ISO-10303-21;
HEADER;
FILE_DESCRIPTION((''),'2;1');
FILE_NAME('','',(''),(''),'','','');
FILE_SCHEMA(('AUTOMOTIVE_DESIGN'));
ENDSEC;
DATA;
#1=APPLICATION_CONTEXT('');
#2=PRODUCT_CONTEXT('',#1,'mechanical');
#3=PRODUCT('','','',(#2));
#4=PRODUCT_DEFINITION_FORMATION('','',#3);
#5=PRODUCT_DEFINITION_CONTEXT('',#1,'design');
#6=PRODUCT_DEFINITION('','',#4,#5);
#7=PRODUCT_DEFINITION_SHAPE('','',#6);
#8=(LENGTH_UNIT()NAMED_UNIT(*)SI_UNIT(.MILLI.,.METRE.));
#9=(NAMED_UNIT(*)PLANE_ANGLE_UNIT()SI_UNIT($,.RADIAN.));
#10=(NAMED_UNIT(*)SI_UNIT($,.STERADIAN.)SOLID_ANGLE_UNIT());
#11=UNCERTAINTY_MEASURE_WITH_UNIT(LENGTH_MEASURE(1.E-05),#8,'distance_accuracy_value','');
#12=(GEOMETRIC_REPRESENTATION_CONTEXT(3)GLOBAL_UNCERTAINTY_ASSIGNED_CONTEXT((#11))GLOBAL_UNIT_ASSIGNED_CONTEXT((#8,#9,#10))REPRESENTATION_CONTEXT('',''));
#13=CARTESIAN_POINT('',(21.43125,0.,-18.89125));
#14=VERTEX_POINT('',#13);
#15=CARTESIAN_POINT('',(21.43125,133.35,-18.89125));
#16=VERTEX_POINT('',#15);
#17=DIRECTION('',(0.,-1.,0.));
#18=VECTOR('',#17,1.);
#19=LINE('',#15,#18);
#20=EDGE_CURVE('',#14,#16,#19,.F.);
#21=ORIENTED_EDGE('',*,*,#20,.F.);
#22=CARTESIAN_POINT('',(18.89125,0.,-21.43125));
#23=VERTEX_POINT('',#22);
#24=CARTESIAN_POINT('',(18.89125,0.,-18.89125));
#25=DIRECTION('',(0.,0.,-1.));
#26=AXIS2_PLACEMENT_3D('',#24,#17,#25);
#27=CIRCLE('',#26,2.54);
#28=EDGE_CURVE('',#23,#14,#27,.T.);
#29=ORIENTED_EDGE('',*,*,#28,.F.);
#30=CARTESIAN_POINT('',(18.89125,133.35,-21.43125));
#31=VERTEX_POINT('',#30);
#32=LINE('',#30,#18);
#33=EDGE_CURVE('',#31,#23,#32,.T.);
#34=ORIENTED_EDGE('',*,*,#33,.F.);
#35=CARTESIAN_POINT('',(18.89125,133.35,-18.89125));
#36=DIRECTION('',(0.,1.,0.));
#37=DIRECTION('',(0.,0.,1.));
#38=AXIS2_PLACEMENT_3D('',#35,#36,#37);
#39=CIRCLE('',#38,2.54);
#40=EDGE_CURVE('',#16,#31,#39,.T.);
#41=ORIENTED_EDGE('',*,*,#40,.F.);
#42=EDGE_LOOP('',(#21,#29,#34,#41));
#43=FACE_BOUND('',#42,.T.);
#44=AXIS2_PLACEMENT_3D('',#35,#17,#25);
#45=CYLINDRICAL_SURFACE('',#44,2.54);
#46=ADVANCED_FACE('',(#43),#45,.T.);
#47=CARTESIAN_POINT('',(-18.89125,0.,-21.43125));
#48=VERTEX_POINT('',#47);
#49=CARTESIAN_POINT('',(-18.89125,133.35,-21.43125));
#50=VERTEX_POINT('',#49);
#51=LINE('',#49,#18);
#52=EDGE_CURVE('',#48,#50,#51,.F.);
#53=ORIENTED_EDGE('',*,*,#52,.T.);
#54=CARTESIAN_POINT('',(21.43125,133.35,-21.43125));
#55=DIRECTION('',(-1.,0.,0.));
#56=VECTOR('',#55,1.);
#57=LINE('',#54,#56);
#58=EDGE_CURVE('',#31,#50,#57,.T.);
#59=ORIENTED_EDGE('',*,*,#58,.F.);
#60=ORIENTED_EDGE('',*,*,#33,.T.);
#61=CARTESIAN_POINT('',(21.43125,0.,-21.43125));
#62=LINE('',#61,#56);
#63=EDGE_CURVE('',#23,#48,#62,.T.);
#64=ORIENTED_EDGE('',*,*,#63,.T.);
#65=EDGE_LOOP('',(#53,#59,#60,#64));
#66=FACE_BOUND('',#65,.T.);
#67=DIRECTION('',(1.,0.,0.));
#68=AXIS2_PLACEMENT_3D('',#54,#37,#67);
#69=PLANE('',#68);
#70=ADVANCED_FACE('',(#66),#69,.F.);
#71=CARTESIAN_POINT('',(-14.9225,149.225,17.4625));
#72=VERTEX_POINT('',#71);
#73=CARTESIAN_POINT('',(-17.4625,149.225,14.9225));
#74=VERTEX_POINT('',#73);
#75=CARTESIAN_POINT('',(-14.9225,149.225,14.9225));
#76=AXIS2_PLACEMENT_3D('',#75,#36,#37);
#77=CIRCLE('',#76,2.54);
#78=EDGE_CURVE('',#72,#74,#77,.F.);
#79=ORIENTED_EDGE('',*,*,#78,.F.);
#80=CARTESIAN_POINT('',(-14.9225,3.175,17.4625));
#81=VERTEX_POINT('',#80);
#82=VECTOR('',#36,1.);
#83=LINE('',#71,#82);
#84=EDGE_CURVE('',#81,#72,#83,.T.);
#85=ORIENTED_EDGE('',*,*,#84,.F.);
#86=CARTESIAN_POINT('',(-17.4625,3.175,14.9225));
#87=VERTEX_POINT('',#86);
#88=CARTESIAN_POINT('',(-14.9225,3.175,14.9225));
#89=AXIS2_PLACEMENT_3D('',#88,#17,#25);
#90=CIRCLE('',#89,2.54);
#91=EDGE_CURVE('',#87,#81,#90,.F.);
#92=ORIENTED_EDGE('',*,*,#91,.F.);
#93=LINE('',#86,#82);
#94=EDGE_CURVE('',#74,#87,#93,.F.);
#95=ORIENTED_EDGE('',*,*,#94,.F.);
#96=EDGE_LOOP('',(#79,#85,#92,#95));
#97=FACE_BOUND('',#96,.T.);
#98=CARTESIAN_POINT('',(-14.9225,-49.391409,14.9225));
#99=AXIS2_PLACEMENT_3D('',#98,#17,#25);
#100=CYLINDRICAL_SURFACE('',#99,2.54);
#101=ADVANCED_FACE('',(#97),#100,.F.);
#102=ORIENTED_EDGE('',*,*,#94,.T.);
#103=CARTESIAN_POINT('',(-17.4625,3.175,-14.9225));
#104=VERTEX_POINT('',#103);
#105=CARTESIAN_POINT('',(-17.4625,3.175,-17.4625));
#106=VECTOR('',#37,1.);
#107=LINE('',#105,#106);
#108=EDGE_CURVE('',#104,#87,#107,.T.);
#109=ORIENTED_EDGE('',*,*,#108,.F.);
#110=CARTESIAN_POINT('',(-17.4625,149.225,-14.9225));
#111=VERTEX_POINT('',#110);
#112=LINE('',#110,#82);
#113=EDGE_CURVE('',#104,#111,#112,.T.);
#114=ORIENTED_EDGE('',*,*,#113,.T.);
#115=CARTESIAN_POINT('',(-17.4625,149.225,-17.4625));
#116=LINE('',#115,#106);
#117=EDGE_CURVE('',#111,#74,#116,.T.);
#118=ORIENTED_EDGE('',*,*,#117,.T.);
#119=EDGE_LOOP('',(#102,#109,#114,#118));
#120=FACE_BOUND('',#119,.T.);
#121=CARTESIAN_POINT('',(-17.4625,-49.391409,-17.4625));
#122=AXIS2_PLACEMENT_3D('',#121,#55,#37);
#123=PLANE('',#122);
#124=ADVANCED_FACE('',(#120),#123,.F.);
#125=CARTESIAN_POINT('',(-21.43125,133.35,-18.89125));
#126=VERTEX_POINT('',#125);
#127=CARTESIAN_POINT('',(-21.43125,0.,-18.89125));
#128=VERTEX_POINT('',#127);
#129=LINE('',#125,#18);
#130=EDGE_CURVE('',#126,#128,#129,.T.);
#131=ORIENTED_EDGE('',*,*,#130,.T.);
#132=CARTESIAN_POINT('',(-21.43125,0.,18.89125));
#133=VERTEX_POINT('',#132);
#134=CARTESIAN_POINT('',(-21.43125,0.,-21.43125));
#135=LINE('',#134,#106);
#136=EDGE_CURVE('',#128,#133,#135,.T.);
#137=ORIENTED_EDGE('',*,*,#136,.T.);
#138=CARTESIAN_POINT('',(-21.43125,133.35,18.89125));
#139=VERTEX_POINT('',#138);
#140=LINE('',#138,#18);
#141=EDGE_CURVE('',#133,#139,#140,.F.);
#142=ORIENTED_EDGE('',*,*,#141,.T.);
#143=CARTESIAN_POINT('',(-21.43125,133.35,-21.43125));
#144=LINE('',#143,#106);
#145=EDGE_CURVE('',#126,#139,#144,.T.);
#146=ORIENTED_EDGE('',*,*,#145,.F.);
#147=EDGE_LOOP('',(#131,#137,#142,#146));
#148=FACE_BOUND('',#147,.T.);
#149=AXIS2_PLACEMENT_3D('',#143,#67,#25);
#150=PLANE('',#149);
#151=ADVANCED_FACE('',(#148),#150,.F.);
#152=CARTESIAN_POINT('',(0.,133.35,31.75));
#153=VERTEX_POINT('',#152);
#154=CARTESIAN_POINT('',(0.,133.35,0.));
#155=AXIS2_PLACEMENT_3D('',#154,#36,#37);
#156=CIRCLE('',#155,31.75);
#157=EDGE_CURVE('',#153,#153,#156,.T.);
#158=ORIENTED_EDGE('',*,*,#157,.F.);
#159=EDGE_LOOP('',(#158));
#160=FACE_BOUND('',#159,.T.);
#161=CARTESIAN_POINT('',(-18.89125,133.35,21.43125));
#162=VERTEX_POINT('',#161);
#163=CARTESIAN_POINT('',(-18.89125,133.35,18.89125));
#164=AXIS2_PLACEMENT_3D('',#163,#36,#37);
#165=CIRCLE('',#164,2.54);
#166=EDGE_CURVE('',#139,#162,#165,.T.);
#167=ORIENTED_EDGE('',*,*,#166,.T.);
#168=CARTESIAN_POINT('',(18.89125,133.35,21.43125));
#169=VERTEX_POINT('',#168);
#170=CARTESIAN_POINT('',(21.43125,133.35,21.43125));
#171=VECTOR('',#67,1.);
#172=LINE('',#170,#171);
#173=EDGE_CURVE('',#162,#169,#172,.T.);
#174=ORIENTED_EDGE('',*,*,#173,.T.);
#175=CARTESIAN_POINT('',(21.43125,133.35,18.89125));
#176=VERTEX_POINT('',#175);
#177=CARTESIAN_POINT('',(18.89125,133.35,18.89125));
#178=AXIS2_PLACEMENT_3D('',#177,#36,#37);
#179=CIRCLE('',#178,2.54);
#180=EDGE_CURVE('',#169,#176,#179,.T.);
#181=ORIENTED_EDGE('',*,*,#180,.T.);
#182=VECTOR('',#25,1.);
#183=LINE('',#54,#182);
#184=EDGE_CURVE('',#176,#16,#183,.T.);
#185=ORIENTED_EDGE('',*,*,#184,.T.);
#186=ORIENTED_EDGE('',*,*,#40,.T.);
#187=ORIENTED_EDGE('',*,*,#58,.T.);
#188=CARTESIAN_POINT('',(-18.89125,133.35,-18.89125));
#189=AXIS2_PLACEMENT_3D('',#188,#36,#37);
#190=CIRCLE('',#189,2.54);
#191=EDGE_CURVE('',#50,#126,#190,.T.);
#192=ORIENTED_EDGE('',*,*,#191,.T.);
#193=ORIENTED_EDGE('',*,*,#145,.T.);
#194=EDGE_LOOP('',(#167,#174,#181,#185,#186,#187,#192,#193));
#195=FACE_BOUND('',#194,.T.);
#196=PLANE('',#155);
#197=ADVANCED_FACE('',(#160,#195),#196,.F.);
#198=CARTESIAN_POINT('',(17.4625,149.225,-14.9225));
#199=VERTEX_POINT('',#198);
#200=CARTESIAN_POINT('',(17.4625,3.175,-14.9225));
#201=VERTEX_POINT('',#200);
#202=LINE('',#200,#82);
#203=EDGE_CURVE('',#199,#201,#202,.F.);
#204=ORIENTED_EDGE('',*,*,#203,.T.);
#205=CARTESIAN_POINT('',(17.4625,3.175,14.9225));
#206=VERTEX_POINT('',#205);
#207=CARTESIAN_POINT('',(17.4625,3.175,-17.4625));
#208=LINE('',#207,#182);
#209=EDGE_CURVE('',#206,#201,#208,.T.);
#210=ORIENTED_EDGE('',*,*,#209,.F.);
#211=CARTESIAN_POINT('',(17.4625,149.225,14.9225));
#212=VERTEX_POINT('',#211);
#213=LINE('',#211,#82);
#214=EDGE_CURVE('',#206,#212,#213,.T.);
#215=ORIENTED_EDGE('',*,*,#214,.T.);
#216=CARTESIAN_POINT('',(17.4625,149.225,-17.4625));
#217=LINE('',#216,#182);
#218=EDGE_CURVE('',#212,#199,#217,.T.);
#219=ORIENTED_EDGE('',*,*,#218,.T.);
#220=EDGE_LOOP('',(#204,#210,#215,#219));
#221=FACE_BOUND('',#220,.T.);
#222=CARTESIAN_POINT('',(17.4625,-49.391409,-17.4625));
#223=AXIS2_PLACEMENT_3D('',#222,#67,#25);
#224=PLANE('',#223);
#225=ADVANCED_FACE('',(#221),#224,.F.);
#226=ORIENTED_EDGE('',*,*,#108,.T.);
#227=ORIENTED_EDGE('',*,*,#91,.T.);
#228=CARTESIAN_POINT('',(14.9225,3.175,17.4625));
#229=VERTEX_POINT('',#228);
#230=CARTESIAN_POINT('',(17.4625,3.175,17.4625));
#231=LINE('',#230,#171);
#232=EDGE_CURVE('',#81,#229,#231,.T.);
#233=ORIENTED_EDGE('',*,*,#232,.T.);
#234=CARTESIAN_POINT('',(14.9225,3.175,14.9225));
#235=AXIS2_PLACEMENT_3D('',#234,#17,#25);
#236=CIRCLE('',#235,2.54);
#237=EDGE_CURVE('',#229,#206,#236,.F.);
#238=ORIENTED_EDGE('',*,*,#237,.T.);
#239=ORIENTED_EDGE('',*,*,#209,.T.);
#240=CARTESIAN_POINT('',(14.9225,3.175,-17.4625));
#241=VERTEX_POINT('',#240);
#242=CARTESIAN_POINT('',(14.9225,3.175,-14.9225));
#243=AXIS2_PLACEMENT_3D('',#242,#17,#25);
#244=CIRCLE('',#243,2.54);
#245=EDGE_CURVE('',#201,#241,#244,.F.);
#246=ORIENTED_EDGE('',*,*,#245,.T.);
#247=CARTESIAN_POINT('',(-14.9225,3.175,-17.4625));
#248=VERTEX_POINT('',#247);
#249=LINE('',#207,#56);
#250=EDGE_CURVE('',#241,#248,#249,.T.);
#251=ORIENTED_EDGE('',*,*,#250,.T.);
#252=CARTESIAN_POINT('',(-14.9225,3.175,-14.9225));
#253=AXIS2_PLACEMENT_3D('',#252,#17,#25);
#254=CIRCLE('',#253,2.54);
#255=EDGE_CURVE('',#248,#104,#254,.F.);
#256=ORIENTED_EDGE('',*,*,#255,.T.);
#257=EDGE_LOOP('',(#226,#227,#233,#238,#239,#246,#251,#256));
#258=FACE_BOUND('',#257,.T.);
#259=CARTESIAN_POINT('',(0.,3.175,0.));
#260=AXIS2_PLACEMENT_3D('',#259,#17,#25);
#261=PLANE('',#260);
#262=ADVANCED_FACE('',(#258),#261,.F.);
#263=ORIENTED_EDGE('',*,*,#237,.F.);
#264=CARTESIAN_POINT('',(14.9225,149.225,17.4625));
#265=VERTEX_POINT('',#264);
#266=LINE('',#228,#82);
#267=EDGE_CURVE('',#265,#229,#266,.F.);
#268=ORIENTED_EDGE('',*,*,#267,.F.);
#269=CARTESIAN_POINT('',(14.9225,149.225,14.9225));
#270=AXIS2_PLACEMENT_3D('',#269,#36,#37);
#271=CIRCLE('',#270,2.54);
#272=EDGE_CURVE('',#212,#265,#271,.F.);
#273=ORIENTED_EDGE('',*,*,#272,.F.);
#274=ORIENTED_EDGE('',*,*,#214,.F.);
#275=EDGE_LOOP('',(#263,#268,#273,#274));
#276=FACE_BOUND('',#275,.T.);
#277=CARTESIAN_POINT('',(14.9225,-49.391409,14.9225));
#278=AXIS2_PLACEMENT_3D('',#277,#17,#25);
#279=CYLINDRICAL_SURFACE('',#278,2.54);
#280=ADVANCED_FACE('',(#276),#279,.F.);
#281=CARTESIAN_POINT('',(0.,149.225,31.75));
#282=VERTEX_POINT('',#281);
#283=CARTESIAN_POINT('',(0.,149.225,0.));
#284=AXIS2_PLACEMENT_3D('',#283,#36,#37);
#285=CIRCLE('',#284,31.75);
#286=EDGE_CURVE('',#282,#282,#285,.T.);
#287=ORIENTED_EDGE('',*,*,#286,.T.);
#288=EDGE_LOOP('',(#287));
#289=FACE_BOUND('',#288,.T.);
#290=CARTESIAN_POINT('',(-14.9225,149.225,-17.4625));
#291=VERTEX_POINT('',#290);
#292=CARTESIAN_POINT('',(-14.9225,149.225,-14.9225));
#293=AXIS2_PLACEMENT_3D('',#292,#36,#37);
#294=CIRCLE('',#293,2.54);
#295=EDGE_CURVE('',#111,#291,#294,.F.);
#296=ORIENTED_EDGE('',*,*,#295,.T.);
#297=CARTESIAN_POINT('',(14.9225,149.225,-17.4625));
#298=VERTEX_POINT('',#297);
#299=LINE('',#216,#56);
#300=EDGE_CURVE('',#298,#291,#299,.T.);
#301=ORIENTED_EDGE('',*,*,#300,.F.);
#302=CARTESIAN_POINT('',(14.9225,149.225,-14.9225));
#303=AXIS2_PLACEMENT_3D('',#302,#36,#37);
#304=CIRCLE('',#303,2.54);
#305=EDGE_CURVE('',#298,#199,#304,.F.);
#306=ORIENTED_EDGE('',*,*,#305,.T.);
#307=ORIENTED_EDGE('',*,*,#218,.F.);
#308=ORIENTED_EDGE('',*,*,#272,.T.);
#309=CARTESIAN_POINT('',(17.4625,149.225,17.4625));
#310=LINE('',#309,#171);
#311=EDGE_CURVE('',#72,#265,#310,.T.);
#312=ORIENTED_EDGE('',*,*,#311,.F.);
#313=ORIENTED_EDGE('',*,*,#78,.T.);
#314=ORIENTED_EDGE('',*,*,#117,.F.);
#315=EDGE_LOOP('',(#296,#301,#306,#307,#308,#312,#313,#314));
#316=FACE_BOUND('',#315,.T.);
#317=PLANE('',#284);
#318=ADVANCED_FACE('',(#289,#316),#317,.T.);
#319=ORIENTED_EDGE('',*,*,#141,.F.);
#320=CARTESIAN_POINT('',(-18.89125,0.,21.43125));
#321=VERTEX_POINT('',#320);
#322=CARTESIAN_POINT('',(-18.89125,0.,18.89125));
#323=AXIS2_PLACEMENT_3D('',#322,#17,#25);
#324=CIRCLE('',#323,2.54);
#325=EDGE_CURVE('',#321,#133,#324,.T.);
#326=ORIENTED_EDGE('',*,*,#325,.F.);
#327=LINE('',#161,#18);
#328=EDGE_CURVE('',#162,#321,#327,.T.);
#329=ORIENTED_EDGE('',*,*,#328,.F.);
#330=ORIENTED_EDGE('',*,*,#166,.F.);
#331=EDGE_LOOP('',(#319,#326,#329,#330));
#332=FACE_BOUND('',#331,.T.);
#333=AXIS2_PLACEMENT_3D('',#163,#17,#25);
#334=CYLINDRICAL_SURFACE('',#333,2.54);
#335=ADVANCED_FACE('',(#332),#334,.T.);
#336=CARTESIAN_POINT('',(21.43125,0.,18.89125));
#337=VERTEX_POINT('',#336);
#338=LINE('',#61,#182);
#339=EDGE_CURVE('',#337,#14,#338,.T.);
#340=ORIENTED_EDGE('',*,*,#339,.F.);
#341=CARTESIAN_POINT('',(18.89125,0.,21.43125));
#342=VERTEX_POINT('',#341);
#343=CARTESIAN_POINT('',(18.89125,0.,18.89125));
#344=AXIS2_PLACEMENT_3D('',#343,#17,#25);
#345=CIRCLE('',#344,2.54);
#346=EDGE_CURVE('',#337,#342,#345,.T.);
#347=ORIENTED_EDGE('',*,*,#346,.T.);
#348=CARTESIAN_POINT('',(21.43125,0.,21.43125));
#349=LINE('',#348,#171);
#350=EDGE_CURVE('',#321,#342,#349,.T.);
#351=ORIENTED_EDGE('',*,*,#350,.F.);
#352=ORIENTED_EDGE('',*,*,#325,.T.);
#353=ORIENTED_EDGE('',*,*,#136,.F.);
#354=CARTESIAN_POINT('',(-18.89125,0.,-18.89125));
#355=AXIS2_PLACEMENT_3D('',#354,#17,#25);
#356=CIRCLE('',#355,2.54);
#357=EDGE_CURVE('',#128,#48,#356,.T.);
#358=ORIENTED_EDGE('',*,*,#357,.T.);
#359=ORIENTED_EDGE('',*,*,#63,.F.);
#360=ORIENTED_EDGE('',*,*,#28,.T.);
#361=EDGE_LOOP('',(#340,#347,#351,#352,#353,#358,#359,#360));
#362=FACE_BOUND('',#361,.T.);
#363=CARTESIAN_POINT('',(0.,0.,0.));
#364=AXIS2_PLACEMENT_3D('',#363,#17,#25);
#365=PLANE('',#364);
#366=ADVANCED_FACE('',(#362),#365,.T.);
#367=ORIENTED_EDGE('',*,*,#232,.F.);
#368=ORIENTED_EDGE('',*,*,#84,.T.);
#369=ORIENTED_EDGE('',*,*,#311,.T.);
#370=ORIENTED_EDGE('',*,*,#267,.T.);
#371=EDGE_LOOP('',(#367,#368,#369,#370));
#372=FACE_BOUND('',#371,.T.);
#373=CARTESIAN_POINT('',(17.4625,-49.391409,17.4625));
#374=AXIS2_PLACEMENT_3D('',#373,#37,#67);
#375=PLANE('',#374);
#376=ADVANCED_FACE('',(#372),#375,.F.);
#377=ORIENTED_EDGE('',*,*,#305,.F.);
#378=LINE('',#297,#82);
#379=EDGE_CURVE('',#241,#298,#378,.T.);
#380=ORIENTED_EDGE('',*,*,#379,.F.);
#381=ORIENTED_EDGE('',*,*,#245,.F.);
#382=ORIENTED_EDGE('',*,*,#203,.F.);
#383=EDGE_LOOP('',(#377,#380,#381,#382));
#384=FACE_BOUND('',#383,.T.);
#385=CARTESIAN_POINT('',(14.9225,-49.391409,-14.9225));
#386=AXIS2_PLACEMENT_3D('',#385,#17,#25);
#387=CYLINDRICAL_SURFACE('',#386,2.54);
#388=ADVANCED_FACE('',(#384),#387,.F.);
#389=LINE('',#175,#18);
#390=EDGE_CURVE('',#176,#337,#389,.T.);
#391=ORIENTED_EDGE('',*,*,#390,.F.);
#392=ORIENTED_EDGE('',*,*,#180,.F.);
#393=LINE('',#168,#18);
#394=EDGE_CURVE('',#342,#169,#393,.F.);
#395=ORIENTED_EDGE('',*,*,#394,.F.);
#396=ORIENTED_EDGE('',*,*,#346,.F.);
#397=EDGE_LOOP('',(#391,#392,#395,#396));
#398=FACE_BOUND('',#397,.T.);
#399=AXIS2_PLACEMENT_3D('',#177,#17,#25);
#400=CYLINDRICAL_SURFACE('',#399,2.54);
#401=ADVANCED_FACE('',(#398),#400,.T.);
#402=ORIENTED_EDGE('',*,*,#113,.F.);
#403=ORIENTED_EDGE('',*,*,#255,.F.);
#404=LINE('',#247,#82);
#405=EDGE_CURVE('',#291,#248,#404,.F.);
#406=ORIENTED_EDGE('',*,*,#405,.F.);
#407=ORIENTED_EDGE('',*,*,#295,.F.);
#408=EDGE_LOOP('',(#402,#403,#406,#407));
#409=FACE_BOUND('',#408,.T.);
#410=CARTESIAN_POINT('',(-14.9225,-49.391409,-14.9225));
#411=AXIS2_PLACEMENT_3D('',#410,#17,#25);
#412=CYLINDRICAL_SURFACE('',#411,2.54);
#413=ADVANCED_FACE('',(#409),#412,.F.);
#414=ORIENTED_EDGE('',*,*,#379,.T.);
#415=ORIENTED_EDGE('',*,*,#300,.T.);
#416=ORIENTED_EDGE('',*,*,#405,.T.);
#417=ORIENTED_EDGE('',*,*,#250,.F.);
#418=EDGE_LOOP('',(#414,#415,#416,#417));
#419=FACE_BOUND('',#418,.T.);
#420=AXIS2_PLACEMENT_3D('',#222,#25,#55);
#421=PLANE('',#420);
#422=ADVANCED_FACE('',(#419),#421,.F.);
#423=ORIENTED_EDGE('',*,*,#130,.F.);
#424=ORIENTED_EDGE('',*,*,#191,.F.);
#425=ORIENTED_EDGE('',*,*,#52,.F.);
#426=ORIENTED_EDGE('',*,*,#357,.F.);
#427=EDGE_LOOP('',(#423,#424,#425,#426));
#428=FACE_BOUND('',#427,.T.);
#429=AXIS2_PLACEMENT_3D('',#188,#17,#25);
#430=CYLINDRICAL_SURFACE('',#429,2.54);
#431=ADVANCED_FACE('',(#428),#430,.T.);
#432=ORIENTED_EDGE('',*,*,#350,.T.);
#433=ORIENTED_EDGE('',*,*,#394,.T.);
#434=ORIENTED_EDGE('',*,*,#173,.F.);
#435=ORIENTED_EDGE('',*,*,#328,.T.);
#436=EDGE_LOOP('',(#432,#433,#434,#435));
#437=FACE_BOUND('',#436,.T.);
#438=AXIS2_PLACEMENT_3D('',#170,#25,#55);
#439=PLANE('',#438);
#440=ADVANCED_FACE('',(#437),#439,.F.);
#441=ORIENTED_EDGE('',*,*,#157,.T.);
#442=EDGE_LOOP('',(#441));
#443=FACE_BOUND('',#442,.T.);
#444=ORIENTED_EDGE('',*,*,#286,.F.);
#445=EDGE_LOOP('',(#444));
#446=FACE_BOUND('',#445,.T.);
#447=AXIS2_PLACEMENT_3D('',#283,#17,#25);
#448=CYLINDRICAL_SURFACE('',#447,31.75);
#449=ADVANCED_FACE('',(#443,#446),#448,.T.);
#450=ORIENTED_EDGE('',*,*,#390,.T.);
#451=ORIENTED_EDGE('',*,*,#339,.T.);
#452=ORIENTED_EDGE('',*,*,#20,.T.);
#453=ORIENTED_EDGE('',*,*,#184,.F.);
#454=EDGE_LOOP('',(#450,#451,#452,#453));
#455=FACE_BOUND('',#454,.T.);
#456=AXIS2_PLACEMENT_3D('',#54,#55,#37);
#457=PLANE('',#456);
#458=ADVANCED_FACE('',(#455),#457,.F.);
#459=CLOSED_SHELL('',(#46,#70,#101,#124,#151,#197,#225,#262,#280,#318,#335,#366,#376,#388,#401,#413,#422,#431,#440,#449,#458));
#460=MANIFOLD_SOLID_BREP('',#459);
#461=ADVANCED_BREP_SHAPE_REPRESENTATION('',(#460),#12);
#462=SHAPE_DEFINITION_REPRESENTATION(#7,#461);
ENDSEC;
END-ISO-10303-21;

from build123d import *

# Parameters (mm, degrees)
SKETCH1_W           = 42.8625
SKETCH1_H           = 42.8625
BOSS_EXTRUDE1_DEPTH = 133.35
SKETCH2_R           = 31.75
BOSS_EXTRUDE2_DEPTH = 15.875
SKETCH3_W           = 34.925
SKETCH3_H           = 34.925
CUT_EXTRUDE1_DEPTH  = 146.05
FILLET1_R           = 2.54


with BuildPart() as part:
    # Sketch1 → Boss-Extrude1 (new body)
    with BuildSketch(Plane(origin=(0, 0, 0), x_dir=(1, 0, 0), z_dir=(0, 1, 0))):
        Rectangle(SKETCH1_W, SKETCH1_H)
    extrude(amount=BOSS_EXTRUDE1_DEPTH)

    # Sketch2 → Boss-Extrude2 (add)
    with BuildSketch(Plane(origin=(0, 133.35, 0), x_dir=(1, 0, 0), z_dir=(0, 1, 0))):
        with Locations(Location((0, 0, 0), (0, 0, 270))):
            Circle(SKETCH2_R)
    extrude(amount=BOSS_EXTRUDE2_DEPTH)

    # Sketch3 → Cut-Extrude1 (cut)
    with BuildSketch(Plane(origin=(0, 149.225, 0), x_dir=(1, 0, 0), z_dir=(0, 1, 0))):
        Rectangle(SKETCH3_W, SKETCH3_H)
    extrude(amount=-CUT_EXTRUDE1_DEPTH, mode=Mode.SUBTRACT)

    # Fillet1
    fillet1_edges = [part.edges().sort_by_distance(p)[0] for p in [
        (17.4625, 76.2, 17.4625),
        (17.4625, 76.2, -17.4625),
        (-17.4625, 76.2, -17.4625),
        (-17.4625, 76.2, 17.4625),
        (-21.43125, 66.675, -21.43125),
        (21.43125, 66.675, -21.43125),
        (21.43125, 66.675, 21.43125),
        (-21.43125, 66.675, 21.43125),
    ]]
    fillet(fillet1_edges, radius=FILLET1_R)


solid = part.part
